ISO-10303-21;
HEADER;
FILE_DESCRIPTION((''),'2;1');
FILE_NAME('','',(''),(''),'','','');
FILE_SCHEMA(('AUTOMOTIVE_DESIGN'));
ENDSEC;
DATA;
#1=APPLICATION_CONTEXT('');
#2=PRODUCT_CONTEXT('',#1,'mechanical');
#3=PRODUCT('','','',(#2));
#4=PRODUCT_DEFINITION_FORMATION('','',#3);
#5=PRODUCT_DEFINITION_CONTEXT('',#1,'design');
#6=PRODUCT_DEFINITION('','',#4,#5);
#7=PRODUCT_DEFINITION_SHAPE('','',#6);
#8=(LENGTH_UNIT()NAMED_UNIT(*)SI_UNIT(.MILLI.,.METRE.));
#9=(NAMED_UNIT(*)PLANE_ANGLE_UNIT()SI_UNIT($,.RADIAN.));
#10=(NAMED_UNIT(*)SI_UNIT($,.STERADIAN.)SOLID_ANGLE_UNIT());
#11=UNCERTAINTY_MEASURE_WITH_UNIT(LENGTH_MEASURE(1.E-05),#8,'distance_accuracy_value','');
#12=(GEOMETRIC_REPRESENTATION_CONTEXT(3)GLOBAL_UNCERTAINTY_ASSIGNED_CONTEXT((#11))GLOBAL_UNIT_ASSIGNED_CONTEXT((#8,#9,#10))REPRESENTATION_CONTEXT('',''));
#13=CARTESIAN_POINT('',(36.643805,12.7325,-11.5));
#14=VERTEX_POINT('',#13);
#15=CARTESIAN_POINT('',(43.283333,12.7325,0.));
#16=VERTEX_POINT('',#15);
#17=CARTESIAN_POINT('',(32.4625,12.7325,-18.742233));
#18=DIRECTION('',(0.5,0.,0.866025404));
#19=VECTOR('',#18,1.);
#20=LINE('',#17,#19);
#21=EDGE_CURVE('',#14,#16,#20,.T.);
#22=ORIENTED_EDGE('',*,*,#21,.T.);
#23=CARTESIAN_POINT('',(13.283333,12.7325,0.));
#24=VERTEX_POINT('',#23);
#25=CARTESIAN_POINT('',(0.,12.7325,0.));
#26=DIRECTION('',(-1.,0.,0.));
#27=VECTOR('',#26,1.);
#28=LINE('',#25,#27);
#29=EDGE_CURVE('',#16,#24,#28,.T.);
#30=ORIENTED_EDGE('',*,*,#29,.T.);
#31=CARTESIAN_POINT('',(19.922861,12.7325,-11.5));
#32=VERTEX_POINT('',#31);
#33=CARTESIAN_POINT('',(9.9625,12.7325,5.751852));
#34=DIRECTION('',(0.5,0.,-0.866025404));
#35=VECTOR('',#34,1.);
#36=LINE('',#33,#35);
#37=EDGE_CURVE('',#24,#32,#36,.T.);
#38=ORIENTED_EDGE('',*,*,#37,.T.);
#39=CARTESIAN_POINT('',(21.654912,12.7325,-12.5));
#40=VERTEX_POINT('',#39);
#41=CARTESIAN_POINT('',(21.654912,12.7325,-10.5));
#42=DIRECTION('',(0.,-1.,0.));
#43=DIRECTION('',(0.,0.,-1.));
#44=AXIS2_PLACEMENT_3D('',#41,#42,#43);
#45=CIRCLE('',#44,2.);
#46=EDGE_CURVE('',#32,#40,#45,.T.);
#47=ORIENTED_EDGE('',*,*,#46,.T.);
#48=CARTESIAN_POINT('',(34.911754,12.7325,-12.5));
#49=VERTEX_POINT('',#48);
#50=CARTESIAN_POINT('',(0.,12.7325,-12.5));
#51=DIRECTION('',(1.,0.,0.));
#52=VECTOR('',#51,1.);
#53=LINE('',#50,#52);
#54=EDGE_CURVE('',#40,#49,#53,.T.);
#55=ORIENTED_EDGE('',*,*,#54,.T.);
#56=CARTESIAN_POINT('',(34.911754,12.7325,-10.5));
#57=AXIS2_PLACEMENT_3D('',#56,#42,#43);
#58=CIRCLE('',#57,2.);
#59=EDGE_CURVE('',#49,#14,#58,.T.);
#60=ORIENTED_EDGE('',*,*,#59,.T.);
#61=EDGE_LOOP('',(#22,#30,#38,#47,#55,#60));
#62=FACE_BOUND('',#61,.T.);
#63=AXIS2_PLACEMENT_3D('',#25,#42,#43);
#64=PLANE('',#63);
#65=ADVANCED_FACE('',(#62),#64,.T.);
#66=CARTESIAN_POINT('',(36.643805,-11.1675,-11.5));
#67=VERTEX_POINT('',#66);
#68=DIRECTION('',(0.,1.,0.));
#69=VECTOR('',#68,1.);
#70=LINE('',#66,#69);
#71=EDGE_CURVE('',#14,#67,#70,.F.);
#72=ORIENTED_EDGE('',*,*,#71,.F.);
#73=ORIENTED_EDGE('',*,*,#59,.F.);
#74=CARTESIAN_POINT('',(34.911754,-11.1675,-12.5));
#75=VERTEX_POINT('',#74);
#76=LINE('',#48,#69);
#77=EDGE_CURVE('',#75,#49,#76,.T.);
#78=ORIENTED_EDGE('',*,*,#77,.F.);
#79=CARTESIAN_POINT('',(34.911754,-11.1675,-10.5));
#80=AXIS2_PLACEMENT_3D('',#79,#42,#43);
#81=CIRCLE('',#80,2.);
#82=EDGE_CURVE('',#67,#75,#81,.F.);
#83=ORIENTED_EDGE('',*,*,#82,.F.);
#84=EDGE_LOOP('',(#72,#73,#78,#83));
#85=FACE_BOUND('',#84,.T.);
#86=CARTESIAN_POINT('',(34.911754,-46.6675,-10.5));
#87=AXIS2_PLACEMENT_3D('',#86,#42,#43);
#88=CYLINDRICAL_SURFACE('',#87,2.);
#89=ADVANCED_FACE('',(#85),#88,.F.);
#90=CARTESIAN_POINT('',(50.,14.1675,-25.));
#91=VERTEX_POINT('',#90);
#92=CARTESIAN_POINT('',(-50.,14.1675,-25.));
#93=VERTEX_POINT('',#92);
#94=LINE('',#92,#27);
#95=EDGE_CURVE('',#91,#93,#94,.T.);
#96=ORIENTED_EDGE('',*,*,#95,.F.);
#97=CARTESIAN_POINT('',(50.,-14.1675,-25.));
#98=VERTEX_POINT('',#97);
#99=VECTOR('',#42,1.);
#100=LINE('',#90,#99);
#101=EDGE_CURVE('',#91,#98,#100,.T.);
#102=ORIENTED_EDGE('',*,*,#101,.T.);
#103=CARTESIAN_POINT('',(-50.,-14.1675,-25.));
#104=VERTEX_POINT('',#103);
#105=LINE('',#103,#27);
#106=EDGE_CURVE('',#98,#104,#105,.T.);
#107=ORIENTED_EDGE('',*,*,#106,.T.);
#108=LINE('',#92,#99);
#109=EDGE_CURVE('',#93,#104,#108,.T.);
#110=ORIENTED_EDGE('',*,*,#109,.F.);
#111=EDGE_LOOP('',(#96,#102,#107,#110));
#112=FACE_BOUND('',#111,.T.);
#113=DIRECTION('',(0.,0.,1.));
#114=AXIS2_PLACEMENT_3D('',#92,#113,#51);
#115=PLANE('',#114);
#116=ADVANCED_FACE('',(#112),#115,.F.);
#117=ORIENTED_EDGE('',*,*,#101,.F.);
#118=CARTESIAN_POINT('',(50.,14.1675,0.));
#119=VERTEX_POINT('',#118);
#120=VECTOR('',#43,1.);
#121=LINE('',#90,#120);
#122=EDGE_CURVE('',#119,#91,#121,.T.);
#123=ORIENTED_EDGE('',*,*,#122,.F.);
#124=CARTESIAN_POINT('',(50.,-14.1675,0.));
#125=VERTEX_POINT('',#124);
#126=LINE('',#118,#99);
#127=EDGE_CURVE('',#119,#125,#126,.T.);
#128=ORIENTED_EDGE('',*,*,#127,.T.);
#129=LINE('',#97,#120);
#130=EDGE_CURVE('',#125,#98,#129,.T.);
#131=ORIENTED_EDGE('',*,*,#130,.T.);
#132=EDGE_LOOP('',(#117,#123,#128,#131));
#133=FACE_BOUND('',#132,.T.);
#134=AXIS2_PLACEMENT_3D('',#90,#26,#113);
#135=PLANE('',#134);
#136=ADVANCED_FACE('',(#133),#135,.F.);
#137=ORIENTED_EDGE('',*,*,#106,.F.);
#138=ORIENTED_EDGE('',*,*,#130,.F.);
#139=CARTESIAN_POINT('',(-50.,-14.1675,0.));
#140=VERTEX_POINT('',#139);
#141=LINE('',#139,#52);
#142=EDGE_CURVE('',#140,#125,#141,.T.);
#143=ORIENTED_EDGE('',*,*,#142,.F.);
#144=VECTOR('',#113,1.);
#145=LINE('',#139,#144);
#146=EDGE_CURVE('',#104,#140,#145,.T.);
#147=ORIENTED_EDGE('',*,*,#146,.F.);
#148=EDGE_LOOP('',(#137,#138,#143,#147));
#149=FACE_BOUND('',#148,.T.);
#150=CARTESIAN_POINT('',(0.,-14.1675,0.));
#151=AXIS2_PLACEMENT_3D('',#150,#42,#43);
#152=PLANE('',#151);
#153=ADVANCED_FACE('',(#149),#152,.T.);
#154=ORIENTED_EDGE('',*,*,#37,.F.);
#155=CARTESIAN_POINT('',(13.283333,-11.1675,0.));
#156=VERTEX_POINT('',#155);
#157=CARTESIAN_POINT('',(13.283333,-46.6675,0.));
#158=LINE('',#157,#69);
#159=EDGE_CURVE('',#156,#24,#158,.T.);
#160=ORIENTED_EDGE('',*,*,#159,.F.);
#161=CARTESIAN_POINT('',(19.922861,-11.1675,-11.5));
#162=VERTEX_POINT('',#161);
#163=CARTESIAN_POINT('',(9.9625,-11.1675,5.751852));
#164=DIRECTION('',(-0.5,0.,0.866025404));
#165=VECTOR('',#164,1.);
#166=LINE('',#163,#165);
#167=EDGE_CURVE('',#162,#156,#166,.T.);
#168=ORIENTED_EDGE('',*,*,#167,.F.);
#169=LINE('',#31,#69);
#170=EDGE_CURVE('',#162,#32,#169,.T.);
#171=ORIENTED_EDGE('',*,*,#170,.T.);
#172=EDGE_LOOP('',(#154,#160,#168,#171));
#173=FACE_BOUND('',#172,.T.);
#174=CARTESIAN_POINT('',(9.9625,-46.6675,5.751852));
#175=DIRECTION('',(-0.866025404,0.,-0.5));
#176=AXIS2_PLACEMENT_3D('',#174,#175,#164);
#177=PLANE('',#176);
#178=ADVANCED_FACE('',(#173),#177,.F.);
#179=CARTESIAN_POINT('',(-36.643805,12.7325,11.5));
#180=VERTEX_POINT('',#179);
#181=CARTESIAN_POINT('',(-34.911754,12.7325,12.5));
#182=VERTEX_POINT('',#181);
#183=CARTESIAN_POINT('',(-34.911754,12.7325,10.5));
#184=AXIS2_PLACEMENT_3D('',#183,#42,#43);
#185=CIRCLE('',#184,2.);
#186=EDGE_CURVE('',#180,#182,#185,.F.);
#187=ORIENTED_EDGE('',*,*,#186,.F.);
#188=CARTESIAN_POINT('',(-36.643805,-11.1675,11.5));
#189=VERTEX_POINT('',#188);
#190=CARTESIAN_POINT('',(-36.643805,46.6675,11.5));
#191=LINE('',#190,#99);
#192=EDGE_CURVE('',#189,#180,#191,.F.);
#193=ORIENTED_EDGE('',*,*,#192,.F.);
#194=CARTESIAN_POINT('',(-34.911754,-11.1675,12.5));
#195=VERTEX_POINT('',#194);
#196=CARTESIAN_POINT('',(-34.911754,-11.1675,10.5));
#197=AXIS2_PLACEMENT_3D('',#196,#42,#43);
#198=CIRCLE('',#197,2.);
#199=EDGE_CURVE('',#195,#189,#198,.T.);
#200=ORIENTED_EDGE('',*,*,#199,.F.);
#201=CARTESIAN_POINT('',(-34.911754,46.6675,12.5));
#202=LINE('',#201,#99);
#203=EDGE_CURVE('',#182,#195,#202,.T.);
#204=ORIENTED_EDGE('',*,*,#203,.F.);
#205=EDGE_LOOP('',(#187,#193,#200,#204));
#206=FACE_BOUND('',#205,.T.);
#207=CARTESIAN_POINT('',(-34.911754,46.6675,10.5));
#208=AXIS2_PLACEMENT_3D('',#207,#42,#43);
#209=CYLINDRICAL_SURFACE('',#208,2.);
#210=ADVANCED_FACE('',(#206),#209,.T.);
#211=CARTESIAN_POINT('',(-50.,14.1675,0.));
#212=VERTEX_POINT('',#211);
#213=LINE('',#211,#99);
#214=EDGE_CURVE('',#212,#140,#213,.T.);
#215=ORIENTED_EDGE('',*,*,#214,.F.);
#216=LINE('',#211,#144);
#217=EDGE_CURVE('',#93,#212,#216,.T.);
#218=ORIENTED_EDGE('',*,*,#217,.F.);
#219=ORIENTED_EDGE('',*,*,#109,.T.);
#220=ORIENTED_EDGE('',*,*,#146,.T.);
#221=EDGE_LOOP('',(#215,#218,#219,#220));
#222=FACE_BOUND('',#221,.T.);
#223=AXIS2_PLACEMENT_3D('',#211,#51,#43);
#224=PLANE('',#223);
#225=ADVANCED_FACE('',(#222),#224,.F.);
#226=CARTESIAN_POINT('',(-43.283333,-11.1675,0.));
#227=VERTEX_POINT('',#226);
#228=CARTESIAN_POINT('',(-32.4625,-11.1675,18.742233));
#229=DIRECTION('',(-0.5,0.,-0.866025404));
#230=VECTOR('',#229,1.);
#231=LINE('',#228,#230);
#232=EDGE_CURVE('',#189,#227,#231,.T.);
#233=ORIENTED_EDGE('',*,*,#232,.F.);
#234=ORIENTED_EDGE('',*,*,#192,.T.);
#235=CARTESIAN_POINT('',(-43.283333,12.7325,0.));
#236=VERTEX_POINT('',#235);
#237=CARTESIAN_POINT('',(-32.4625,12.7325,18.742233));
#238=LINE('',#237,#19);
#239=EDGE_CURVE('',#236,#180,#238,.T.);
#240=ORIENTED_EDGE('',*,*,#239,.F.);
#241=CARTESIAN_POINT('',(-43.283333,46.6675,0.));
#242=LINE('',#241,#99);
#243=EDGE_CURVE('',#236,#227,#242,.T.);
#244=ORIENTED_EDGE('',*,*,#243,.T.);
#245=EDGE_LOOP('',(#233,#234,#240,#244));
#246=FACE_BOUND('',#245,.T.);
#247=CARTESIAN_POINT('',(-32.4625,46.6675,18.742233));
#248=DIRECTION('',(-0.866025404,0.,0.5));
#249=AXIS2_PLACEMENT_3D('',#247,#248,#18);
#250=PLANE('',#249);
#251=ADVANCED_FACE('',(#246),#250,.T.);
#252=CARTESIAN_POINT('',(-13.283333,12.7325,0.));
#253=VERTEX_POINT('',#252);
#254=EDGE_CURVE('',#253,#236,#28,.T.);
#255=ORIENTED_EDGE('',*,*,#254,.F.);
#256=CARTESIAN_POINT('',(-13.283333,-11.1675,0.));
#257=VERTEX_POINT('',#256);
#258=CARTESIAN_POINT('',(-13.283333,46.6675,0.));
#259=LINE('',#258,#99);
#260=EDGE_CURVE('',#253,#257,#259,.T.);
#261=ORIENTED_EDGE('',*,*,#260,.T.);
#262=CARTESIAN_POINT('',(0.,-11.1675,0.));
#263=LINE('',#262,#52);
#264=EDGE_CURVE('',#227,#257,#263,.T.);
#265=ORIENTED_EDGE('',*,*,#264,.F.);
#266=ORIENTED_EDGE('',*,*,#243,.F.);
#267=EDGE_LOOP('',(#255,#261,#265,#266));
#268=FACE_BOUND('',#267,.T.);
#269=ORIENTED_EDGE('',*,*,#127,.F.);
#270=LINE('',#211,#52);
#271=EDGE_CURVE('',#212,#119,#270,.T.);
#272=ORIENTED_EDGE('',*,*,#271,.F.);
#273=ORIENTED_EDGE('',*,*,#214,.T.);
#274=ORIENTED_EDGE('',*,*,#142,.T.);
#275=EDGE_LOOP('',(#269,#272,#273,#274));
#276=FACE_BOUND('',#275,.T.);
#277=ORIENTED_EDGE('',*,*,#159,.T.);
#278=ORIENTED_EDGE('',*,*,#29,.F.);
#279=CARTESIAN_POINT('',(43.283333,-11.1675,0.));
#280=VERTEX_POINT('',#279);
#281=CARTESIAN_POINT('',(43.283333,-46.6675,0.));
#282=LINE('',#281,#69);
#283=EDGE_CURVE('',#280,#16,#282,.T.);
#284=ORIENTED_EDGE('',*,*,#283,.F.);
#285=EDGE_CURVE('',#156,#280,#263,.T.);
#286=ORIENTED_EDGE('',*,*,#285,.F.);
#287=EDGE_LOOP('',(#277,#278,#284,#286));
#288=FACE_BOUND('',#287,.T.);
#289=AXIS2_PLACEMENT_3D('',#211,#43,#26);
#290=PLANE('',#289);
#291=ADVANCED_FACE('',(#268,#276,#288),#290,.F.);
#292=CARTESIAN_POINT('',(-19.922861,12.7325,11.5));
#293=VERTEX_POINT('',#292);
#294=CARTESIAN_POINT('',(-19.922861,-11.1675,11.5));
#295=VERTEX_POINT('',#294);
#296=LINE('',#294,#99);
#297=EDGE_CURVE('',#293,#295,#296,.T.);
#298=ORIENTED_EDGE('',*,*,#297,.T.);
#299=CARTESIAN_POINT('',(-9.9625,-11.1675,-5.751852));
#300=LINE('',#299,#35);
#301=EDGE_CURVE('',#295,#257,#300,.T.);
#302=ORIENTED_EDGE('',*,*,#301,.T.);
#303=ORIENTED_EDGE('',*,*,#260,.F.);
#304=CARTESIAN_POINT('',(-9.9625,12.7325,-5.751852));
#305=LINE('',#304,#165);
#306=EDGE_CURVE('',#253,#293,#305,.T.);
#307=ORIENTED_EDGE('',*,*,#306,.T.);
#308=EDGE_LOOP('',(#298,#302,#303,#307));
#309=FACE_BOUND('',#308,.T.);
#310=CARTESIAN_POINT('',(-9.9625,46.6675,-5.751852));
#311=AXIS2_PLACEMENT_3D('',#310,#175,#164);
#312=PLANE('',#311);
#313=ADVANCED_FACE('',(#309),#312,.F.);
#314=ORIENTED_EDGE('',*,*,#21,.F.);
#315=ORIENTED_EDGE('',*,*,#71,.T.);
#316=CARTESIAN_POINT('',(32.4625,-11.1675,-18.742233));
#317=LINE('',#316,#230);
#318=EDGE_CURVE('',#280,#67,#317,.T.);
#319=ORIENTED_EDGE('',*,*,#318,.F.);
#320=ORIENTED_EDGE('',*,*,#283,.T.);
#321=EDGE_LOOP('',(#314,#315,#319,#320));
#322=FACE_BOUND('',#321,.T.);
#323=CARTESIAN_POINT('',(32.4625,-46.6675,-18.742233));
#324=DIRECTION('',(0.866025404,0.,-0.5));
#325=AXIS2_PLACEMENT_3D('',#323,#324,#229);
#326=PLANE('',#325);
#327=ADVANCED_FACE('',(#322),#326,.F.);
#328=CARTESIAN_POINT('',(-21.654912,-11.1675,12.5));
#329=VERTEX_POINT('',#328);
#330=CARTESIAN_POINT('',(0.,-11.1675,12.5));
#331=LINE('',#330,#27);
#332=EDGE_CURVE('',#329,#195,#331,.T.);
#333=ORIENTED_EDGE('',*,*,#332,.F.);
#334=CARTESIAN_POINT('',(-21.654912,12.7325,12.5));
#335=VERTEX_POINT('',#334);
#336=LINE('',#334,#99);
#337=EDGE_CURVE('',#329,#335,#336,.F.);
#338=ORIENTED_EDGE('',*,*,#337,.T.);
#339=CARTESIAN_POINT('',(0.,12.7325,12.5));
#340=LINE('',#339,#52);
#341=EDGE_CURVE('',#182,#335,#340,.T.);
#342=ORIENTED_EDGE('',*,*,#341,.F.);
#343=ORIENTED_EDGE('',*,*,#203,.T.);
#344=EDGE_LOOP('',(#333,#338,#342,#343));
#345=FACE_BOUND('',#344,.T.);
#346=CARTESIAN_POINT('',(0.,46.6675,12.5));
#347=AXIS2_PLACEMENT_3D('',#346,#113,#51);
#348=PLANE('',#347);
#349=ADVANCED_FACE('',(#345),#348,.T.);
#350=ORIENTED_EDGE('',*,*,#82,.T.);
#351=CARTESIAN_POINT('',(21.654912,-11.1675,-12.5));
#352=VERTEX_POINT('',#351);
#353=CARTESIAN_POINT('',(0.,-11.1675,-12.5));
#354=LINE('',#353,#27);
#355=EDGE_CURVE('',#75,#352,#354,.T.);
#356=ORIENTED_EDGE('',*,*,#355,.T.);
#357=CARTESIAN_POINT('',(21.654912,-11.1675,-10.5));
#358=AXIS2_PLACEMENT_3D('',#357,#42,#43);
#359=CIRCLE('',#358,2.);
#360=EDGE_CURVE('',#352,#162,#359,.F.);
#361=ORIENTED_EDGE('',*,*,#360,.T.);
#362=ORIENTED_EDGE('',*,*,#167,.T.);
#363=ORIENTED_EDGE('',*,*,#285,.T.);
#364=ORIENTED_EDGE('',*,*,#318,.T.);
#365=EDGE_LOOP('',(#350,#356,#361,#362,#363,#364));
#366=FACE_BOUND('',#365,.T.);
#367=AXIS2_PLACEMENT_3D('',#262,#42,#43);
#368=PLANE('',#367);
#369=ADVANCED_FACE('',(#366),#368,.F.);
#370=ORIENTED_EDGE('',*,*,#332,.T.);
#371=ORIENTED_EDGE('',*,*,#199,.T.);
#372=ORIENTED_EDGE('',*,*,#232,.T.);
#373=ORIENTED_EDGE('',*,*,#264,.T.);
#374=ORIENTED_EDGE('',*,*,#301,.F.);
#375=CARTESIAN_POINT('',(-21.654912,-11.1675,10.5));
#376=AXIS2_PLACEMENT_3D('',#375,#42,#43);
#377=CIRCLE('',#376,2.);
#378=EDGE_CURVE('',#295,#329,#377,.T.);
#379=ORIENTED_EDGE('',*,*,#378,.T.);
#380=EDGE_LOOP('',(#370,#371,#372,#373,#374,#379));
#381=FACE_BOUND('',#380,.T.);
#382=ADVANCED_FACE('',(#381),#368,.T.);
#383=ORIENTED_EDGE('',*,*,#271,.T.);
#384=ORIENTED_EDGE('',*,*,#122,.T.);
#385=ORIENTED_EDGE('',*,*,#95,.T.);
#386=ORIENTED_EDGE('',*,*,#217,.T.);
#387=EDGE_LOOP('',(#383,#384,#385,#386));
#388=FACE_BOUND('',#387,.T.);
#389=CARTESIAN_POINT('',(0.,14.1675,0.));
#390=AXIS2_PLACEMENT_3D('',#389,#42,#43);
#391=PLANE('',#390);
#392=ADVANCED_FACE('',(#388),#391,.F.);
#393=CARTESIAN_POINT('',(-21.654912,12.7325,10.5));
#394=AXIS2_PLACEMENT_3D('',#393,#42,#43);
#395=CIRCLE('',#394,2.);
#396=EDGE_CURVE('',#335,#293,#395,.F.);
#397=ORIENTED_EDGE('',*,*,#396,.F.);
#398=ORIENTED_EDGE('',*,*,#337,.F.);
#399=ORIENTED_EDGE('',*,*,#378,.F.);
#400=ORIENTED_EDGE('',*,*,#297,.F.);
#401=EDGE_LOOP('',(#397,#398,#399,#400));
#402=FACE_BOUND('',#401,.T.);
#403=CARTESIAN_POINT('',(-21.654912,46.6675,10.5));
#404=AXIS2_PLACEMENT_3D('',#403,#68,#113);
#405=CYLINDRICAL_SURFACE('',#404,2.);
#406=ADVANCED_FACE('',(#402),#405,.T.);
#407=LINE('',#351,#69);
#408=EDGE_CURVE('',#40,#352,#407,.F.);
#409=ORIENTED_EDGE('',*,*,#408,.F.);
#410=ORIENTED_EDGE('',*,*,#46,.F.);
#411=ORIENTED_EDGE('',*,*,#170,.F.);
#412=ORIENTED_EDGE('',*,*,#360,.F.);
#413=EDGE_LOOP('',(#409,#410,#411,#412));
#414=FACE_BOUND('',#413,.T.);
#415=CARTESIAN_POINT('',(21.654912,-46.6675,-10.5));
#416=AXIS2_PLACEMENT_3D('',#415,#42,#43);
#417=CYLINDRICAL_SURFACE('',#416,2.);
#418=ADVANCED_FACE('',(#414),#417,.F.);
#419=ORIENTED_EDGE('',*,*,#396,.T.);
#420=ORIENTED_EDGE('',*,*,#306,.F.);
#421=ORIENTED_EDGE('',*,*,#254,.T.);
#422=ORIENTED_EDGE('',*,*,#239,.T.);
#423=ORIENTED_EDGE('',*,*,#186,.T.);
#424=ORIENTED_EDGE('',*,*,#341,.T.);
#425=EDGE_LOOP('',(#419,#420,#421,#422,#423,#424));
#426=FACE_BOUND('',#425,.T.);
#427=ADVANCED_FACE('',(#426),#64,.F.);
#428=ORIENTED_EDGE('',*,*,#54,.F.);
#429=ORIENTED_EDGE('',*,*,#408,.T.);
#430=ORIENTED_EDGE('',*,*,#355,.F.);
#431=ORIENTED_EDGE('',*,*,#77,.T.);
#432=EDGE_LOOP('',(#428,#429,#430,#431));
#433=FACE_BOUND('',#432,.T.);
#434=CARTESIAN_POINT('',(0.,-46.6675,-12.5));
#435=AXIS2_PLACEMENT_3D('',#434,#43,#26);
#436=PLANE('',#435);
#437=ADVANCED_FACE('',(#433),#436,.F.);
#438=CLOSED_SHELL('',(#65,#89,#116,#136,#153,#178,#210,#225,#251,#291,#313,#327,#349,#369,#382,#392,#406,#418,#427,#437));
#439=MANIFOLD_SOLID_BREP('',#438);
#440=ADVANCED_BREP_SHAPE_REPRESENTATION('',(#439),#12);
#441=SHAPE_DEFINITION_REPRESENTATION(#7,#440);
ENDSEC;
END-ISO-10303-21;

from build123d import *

# Parameters (mm, degrees)
SKETCH1_W                = 100
SKETCH1_H                = 25
BOSS_EXTRUDE1_DEPTH      = 14.1675
BOSS_EXTRUDE2_DEPTH      = 12.7325
BOSS_EXTRUDE2_DEPTH_BACK = 11.1675
FILLET1_R                = 2
CUT_EXTRUDE1_DEPTH       = 12.7325
CUT_EXTRUDE1_DEPTH_BACK  = 11.1675
FILLET2_R                = 2


with BuildPart() as part:
    # Sketch1 → Boss-Extrude1 (new, symmetric)
    with BuildSketch(Plane(origin=(0, 0, 0), x_dir=(1, 0, 0), z_dir=(0, 1, 0))):
        with Locations((0, 12.5)):
            Rectangle(SKETCH1_W, SKETCH1_H)
    extrude(amount=BOSS_EXTRUDE1_DEPTH, both=True)

    # Sketch2 → Boss-Extrude2 (add, two sides: drawn at the far end of the back side and taken through both)
    with BuildSketch(Plane(origin=(0, 0, 0), x_dir=(1, 0, 0), z_dir=(0, 1, 0)).offset(-BOSS_EXTRUDE2_DEPTH_BACK)):
        Polygon((-43.283333333, 0), (-13.283333333, 0), (-20.500211698, -12.5), (-36.066454968, -12.5), align=None)
    extrude(amount=BOSS_EXTRUDE2_DEPTH + BOSS_EXTRUDE2_DEPTH_BACK)

    # Fillet1
    fillet1_edges = [part.edges().sort_by_distance(p)[0] for p in [
        (-20.500211698, 0.7825, 12.5),
        (-36.066454968, 0.7825, 12.5),
    ]]
    fillet(fillet1_edges, radius=FILLET1_R)

    # Sketch2<3> → Cut-Extrude1 (cut, two sides: drawn at the far end of the back side and taken through both)
    with BuildSketch(Plane(origin=(0, 0, 0), x_dir=(1, 0, 0), z_dir=(0, 1, 0)).offset(-CUT_EXTRUDE1_DEPTH_BACK)):
        Polygon((36.066454968, 12.5), (20.500211698, 12.5), (13.283333333, 0), (43.283333333, 0), align=None)
    extrude(amount=CUT_EXTRUDE1_DEPTH + CUT_EXTRUDE1_DEPTH_BACK, mode=Mode.SUBTRACT)

    # Fillet2
    fillet2_edges = [part.edges().sort_by_distance(p)[0] for p in [
        (36.066454968, 0.7825, -12.5),
        (20.500211698, 0.7825, -12.5),
    ]]
    fillet(fillet2_edges, radius=FILLET2_R)


solid = part.part
